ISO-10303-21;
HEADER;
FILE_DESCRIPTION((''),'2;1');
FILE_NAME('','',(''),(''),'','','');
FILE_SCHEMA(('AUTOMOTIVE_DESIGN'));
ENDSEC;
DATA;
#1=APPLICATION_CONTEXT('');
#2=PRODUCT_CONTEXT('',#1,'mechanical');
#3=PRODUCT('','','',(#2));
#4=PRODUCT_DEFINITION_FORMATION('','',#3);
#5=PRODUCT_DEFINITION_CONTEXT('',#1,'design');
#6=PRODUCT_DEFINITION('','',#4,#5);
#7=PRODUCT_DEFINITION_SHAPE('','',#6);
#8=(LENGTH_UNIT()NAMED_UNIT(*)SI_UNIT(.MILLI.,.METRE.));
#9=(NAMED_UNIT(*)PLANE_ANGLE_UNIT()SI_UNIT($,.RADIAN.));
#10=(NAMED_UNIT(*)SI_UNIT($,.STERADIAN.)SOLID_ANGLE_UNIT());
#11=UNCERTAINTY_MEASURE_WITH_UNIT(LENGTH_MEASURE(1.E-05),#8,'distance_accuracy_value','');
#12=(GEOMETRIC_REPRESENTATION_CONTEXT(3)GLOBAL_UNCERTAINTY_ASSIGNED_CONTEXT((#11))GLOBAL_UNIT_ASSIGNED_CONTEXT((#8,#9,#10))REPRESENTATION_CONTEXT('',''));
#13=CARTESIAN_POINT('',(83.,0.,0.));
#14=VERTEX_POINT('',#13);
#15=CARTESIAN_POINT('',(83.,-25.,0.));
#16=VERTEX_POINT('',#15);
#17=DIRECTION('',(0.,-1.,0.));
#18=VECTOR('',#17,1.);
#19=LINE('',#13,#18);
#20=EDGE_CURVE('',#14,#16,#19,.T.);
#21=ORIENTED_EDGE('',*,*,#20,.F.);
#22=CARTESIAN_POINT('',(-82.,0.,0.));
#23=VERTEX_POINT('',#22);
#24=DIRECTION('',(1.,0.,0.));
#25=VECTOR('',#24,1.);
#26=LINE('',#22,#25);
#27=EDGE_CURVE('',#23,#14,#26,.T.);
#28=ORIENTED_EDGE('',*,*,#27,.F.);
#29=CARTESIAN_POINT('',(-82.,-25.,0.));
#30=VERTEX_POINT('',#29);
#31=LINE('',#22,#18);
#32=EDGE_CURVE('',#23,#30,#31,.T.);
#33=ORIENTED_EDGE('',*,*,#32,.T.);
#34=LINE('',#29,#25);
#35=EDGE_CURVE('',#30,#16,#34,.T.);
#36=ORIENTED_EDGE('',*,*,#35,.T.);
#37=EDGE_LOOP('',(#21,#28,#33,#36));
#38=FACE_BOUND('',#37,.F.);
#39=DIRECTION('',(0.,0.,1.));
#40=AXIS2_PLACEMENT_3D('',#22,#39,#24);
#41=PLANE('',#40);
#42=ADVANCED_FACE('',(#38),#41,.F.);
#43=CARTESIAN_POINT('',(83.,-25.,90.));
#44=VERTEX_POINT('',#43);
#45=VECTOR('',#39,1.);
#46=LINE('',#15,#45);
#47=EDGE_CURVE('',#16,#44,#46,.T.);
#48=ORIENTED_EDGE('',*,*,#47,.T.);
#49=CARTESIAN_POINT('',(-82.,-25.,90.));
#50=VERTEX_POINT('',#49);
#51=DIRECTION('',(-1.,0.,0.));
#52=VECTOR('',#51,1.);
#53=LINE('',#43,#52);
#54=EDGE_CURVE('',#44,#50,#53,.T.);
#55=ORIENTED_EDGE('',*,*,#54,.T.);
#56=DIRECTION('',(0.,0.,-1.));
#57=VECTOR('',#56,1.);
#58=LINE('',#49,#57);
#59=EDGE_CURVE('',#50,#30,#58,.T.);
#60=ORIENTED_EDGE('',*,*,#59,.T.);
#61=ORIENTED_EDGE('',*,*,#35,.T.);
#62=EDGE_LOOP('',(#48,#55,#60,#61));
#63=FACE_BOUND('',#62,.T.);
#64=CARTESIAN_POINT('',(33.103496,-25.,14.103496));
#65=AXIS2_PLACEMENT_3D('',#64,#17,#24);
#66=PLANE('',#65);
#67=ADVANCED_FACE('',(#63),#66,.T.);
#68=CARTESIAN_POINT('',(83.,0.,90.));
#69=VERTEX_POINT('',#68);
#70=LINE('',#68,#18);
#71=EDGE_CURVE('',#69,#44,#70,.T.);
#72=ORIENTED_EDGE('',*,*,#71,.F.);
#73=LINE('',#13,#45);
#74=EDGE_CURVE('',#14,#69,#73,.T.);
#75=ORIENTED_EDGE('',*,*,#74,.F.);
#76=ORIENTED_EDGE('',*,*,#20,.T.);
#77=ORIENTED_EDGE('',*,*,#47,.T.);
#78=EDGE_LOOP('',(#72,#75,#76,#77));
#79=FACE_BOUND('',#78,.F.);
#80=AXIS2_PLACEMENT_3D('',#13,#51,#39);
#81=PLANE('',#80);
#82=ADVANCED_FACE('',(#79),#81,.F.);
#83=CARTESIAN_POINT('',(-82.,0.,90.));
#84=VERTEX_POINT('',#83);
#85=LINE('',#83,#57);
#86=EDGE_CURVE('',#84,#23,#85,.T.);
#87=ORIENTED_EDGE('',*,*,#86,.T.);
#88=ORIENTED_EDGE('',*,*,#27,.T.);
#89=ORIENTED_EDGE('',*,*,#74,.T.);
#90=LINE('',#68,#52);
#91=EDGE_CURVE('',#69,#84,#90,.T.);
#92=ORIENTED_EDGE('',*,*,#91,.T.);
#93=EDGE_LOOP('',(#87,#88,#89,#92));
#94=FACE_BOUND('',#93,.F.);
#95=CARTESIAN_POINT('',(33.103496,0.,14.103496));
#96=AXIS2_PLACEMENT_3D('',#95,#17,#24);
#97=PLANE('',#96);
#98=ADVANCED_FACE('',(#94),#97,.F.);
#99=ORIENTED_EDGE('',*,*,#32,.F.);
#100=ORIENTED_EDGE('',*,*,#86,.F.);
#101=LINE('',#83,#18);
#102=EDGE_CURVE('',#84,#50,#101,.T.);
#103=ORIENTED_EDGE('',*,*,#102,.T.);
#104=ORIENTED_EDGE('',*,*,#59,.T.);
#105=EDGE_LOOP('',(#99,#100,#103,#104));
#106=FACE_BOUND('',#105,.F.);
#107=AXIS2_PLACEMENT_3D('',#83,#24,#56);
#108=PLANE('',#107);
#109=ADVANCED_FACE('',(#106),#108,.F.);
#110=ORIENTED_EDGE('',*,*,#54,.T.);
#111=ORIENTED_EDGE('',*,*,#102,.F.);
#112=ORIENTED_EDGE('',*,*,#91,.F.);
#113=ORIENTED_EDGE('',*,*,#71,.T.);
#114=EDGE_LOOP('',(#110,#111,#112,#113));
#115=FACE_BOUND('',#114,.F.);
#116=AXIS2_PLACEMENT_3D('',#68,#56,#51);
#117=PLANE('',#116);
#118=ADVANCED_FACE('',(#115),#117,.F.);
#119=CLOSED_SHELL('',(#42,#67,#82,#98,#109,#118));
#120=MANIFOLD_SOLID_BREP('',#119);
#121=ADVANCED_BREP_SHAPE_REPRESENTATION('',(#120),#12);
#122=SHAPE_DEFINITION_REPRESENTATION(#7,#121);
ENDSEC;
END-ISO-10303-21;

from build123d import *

# Parameters (mm, degrees)
F1_DEPTH = 25


with BuildPart() as f1:
    # F0 (on Front) → F1 (new body)
    with BuildSketch(Plane.XZ):
        Polygon((0, 45), (0, 0), (83, 0), align=None)
        Polygon((-82, 0), (0, 0), (0, 45), align=None)
        Polygon((0, 45), (83, 0), (83, 90), (0, 90), (0, 45.542169), align=None)
        Polygon((-82, 90), (-82, 0), (0, 45), (0, 45.542169), align=None)
        Polygon((0, 90), (-82, 90), (0, 45.542169), align=None)
    extrude(amount=F1_DEPTH)


solid = f1.part
